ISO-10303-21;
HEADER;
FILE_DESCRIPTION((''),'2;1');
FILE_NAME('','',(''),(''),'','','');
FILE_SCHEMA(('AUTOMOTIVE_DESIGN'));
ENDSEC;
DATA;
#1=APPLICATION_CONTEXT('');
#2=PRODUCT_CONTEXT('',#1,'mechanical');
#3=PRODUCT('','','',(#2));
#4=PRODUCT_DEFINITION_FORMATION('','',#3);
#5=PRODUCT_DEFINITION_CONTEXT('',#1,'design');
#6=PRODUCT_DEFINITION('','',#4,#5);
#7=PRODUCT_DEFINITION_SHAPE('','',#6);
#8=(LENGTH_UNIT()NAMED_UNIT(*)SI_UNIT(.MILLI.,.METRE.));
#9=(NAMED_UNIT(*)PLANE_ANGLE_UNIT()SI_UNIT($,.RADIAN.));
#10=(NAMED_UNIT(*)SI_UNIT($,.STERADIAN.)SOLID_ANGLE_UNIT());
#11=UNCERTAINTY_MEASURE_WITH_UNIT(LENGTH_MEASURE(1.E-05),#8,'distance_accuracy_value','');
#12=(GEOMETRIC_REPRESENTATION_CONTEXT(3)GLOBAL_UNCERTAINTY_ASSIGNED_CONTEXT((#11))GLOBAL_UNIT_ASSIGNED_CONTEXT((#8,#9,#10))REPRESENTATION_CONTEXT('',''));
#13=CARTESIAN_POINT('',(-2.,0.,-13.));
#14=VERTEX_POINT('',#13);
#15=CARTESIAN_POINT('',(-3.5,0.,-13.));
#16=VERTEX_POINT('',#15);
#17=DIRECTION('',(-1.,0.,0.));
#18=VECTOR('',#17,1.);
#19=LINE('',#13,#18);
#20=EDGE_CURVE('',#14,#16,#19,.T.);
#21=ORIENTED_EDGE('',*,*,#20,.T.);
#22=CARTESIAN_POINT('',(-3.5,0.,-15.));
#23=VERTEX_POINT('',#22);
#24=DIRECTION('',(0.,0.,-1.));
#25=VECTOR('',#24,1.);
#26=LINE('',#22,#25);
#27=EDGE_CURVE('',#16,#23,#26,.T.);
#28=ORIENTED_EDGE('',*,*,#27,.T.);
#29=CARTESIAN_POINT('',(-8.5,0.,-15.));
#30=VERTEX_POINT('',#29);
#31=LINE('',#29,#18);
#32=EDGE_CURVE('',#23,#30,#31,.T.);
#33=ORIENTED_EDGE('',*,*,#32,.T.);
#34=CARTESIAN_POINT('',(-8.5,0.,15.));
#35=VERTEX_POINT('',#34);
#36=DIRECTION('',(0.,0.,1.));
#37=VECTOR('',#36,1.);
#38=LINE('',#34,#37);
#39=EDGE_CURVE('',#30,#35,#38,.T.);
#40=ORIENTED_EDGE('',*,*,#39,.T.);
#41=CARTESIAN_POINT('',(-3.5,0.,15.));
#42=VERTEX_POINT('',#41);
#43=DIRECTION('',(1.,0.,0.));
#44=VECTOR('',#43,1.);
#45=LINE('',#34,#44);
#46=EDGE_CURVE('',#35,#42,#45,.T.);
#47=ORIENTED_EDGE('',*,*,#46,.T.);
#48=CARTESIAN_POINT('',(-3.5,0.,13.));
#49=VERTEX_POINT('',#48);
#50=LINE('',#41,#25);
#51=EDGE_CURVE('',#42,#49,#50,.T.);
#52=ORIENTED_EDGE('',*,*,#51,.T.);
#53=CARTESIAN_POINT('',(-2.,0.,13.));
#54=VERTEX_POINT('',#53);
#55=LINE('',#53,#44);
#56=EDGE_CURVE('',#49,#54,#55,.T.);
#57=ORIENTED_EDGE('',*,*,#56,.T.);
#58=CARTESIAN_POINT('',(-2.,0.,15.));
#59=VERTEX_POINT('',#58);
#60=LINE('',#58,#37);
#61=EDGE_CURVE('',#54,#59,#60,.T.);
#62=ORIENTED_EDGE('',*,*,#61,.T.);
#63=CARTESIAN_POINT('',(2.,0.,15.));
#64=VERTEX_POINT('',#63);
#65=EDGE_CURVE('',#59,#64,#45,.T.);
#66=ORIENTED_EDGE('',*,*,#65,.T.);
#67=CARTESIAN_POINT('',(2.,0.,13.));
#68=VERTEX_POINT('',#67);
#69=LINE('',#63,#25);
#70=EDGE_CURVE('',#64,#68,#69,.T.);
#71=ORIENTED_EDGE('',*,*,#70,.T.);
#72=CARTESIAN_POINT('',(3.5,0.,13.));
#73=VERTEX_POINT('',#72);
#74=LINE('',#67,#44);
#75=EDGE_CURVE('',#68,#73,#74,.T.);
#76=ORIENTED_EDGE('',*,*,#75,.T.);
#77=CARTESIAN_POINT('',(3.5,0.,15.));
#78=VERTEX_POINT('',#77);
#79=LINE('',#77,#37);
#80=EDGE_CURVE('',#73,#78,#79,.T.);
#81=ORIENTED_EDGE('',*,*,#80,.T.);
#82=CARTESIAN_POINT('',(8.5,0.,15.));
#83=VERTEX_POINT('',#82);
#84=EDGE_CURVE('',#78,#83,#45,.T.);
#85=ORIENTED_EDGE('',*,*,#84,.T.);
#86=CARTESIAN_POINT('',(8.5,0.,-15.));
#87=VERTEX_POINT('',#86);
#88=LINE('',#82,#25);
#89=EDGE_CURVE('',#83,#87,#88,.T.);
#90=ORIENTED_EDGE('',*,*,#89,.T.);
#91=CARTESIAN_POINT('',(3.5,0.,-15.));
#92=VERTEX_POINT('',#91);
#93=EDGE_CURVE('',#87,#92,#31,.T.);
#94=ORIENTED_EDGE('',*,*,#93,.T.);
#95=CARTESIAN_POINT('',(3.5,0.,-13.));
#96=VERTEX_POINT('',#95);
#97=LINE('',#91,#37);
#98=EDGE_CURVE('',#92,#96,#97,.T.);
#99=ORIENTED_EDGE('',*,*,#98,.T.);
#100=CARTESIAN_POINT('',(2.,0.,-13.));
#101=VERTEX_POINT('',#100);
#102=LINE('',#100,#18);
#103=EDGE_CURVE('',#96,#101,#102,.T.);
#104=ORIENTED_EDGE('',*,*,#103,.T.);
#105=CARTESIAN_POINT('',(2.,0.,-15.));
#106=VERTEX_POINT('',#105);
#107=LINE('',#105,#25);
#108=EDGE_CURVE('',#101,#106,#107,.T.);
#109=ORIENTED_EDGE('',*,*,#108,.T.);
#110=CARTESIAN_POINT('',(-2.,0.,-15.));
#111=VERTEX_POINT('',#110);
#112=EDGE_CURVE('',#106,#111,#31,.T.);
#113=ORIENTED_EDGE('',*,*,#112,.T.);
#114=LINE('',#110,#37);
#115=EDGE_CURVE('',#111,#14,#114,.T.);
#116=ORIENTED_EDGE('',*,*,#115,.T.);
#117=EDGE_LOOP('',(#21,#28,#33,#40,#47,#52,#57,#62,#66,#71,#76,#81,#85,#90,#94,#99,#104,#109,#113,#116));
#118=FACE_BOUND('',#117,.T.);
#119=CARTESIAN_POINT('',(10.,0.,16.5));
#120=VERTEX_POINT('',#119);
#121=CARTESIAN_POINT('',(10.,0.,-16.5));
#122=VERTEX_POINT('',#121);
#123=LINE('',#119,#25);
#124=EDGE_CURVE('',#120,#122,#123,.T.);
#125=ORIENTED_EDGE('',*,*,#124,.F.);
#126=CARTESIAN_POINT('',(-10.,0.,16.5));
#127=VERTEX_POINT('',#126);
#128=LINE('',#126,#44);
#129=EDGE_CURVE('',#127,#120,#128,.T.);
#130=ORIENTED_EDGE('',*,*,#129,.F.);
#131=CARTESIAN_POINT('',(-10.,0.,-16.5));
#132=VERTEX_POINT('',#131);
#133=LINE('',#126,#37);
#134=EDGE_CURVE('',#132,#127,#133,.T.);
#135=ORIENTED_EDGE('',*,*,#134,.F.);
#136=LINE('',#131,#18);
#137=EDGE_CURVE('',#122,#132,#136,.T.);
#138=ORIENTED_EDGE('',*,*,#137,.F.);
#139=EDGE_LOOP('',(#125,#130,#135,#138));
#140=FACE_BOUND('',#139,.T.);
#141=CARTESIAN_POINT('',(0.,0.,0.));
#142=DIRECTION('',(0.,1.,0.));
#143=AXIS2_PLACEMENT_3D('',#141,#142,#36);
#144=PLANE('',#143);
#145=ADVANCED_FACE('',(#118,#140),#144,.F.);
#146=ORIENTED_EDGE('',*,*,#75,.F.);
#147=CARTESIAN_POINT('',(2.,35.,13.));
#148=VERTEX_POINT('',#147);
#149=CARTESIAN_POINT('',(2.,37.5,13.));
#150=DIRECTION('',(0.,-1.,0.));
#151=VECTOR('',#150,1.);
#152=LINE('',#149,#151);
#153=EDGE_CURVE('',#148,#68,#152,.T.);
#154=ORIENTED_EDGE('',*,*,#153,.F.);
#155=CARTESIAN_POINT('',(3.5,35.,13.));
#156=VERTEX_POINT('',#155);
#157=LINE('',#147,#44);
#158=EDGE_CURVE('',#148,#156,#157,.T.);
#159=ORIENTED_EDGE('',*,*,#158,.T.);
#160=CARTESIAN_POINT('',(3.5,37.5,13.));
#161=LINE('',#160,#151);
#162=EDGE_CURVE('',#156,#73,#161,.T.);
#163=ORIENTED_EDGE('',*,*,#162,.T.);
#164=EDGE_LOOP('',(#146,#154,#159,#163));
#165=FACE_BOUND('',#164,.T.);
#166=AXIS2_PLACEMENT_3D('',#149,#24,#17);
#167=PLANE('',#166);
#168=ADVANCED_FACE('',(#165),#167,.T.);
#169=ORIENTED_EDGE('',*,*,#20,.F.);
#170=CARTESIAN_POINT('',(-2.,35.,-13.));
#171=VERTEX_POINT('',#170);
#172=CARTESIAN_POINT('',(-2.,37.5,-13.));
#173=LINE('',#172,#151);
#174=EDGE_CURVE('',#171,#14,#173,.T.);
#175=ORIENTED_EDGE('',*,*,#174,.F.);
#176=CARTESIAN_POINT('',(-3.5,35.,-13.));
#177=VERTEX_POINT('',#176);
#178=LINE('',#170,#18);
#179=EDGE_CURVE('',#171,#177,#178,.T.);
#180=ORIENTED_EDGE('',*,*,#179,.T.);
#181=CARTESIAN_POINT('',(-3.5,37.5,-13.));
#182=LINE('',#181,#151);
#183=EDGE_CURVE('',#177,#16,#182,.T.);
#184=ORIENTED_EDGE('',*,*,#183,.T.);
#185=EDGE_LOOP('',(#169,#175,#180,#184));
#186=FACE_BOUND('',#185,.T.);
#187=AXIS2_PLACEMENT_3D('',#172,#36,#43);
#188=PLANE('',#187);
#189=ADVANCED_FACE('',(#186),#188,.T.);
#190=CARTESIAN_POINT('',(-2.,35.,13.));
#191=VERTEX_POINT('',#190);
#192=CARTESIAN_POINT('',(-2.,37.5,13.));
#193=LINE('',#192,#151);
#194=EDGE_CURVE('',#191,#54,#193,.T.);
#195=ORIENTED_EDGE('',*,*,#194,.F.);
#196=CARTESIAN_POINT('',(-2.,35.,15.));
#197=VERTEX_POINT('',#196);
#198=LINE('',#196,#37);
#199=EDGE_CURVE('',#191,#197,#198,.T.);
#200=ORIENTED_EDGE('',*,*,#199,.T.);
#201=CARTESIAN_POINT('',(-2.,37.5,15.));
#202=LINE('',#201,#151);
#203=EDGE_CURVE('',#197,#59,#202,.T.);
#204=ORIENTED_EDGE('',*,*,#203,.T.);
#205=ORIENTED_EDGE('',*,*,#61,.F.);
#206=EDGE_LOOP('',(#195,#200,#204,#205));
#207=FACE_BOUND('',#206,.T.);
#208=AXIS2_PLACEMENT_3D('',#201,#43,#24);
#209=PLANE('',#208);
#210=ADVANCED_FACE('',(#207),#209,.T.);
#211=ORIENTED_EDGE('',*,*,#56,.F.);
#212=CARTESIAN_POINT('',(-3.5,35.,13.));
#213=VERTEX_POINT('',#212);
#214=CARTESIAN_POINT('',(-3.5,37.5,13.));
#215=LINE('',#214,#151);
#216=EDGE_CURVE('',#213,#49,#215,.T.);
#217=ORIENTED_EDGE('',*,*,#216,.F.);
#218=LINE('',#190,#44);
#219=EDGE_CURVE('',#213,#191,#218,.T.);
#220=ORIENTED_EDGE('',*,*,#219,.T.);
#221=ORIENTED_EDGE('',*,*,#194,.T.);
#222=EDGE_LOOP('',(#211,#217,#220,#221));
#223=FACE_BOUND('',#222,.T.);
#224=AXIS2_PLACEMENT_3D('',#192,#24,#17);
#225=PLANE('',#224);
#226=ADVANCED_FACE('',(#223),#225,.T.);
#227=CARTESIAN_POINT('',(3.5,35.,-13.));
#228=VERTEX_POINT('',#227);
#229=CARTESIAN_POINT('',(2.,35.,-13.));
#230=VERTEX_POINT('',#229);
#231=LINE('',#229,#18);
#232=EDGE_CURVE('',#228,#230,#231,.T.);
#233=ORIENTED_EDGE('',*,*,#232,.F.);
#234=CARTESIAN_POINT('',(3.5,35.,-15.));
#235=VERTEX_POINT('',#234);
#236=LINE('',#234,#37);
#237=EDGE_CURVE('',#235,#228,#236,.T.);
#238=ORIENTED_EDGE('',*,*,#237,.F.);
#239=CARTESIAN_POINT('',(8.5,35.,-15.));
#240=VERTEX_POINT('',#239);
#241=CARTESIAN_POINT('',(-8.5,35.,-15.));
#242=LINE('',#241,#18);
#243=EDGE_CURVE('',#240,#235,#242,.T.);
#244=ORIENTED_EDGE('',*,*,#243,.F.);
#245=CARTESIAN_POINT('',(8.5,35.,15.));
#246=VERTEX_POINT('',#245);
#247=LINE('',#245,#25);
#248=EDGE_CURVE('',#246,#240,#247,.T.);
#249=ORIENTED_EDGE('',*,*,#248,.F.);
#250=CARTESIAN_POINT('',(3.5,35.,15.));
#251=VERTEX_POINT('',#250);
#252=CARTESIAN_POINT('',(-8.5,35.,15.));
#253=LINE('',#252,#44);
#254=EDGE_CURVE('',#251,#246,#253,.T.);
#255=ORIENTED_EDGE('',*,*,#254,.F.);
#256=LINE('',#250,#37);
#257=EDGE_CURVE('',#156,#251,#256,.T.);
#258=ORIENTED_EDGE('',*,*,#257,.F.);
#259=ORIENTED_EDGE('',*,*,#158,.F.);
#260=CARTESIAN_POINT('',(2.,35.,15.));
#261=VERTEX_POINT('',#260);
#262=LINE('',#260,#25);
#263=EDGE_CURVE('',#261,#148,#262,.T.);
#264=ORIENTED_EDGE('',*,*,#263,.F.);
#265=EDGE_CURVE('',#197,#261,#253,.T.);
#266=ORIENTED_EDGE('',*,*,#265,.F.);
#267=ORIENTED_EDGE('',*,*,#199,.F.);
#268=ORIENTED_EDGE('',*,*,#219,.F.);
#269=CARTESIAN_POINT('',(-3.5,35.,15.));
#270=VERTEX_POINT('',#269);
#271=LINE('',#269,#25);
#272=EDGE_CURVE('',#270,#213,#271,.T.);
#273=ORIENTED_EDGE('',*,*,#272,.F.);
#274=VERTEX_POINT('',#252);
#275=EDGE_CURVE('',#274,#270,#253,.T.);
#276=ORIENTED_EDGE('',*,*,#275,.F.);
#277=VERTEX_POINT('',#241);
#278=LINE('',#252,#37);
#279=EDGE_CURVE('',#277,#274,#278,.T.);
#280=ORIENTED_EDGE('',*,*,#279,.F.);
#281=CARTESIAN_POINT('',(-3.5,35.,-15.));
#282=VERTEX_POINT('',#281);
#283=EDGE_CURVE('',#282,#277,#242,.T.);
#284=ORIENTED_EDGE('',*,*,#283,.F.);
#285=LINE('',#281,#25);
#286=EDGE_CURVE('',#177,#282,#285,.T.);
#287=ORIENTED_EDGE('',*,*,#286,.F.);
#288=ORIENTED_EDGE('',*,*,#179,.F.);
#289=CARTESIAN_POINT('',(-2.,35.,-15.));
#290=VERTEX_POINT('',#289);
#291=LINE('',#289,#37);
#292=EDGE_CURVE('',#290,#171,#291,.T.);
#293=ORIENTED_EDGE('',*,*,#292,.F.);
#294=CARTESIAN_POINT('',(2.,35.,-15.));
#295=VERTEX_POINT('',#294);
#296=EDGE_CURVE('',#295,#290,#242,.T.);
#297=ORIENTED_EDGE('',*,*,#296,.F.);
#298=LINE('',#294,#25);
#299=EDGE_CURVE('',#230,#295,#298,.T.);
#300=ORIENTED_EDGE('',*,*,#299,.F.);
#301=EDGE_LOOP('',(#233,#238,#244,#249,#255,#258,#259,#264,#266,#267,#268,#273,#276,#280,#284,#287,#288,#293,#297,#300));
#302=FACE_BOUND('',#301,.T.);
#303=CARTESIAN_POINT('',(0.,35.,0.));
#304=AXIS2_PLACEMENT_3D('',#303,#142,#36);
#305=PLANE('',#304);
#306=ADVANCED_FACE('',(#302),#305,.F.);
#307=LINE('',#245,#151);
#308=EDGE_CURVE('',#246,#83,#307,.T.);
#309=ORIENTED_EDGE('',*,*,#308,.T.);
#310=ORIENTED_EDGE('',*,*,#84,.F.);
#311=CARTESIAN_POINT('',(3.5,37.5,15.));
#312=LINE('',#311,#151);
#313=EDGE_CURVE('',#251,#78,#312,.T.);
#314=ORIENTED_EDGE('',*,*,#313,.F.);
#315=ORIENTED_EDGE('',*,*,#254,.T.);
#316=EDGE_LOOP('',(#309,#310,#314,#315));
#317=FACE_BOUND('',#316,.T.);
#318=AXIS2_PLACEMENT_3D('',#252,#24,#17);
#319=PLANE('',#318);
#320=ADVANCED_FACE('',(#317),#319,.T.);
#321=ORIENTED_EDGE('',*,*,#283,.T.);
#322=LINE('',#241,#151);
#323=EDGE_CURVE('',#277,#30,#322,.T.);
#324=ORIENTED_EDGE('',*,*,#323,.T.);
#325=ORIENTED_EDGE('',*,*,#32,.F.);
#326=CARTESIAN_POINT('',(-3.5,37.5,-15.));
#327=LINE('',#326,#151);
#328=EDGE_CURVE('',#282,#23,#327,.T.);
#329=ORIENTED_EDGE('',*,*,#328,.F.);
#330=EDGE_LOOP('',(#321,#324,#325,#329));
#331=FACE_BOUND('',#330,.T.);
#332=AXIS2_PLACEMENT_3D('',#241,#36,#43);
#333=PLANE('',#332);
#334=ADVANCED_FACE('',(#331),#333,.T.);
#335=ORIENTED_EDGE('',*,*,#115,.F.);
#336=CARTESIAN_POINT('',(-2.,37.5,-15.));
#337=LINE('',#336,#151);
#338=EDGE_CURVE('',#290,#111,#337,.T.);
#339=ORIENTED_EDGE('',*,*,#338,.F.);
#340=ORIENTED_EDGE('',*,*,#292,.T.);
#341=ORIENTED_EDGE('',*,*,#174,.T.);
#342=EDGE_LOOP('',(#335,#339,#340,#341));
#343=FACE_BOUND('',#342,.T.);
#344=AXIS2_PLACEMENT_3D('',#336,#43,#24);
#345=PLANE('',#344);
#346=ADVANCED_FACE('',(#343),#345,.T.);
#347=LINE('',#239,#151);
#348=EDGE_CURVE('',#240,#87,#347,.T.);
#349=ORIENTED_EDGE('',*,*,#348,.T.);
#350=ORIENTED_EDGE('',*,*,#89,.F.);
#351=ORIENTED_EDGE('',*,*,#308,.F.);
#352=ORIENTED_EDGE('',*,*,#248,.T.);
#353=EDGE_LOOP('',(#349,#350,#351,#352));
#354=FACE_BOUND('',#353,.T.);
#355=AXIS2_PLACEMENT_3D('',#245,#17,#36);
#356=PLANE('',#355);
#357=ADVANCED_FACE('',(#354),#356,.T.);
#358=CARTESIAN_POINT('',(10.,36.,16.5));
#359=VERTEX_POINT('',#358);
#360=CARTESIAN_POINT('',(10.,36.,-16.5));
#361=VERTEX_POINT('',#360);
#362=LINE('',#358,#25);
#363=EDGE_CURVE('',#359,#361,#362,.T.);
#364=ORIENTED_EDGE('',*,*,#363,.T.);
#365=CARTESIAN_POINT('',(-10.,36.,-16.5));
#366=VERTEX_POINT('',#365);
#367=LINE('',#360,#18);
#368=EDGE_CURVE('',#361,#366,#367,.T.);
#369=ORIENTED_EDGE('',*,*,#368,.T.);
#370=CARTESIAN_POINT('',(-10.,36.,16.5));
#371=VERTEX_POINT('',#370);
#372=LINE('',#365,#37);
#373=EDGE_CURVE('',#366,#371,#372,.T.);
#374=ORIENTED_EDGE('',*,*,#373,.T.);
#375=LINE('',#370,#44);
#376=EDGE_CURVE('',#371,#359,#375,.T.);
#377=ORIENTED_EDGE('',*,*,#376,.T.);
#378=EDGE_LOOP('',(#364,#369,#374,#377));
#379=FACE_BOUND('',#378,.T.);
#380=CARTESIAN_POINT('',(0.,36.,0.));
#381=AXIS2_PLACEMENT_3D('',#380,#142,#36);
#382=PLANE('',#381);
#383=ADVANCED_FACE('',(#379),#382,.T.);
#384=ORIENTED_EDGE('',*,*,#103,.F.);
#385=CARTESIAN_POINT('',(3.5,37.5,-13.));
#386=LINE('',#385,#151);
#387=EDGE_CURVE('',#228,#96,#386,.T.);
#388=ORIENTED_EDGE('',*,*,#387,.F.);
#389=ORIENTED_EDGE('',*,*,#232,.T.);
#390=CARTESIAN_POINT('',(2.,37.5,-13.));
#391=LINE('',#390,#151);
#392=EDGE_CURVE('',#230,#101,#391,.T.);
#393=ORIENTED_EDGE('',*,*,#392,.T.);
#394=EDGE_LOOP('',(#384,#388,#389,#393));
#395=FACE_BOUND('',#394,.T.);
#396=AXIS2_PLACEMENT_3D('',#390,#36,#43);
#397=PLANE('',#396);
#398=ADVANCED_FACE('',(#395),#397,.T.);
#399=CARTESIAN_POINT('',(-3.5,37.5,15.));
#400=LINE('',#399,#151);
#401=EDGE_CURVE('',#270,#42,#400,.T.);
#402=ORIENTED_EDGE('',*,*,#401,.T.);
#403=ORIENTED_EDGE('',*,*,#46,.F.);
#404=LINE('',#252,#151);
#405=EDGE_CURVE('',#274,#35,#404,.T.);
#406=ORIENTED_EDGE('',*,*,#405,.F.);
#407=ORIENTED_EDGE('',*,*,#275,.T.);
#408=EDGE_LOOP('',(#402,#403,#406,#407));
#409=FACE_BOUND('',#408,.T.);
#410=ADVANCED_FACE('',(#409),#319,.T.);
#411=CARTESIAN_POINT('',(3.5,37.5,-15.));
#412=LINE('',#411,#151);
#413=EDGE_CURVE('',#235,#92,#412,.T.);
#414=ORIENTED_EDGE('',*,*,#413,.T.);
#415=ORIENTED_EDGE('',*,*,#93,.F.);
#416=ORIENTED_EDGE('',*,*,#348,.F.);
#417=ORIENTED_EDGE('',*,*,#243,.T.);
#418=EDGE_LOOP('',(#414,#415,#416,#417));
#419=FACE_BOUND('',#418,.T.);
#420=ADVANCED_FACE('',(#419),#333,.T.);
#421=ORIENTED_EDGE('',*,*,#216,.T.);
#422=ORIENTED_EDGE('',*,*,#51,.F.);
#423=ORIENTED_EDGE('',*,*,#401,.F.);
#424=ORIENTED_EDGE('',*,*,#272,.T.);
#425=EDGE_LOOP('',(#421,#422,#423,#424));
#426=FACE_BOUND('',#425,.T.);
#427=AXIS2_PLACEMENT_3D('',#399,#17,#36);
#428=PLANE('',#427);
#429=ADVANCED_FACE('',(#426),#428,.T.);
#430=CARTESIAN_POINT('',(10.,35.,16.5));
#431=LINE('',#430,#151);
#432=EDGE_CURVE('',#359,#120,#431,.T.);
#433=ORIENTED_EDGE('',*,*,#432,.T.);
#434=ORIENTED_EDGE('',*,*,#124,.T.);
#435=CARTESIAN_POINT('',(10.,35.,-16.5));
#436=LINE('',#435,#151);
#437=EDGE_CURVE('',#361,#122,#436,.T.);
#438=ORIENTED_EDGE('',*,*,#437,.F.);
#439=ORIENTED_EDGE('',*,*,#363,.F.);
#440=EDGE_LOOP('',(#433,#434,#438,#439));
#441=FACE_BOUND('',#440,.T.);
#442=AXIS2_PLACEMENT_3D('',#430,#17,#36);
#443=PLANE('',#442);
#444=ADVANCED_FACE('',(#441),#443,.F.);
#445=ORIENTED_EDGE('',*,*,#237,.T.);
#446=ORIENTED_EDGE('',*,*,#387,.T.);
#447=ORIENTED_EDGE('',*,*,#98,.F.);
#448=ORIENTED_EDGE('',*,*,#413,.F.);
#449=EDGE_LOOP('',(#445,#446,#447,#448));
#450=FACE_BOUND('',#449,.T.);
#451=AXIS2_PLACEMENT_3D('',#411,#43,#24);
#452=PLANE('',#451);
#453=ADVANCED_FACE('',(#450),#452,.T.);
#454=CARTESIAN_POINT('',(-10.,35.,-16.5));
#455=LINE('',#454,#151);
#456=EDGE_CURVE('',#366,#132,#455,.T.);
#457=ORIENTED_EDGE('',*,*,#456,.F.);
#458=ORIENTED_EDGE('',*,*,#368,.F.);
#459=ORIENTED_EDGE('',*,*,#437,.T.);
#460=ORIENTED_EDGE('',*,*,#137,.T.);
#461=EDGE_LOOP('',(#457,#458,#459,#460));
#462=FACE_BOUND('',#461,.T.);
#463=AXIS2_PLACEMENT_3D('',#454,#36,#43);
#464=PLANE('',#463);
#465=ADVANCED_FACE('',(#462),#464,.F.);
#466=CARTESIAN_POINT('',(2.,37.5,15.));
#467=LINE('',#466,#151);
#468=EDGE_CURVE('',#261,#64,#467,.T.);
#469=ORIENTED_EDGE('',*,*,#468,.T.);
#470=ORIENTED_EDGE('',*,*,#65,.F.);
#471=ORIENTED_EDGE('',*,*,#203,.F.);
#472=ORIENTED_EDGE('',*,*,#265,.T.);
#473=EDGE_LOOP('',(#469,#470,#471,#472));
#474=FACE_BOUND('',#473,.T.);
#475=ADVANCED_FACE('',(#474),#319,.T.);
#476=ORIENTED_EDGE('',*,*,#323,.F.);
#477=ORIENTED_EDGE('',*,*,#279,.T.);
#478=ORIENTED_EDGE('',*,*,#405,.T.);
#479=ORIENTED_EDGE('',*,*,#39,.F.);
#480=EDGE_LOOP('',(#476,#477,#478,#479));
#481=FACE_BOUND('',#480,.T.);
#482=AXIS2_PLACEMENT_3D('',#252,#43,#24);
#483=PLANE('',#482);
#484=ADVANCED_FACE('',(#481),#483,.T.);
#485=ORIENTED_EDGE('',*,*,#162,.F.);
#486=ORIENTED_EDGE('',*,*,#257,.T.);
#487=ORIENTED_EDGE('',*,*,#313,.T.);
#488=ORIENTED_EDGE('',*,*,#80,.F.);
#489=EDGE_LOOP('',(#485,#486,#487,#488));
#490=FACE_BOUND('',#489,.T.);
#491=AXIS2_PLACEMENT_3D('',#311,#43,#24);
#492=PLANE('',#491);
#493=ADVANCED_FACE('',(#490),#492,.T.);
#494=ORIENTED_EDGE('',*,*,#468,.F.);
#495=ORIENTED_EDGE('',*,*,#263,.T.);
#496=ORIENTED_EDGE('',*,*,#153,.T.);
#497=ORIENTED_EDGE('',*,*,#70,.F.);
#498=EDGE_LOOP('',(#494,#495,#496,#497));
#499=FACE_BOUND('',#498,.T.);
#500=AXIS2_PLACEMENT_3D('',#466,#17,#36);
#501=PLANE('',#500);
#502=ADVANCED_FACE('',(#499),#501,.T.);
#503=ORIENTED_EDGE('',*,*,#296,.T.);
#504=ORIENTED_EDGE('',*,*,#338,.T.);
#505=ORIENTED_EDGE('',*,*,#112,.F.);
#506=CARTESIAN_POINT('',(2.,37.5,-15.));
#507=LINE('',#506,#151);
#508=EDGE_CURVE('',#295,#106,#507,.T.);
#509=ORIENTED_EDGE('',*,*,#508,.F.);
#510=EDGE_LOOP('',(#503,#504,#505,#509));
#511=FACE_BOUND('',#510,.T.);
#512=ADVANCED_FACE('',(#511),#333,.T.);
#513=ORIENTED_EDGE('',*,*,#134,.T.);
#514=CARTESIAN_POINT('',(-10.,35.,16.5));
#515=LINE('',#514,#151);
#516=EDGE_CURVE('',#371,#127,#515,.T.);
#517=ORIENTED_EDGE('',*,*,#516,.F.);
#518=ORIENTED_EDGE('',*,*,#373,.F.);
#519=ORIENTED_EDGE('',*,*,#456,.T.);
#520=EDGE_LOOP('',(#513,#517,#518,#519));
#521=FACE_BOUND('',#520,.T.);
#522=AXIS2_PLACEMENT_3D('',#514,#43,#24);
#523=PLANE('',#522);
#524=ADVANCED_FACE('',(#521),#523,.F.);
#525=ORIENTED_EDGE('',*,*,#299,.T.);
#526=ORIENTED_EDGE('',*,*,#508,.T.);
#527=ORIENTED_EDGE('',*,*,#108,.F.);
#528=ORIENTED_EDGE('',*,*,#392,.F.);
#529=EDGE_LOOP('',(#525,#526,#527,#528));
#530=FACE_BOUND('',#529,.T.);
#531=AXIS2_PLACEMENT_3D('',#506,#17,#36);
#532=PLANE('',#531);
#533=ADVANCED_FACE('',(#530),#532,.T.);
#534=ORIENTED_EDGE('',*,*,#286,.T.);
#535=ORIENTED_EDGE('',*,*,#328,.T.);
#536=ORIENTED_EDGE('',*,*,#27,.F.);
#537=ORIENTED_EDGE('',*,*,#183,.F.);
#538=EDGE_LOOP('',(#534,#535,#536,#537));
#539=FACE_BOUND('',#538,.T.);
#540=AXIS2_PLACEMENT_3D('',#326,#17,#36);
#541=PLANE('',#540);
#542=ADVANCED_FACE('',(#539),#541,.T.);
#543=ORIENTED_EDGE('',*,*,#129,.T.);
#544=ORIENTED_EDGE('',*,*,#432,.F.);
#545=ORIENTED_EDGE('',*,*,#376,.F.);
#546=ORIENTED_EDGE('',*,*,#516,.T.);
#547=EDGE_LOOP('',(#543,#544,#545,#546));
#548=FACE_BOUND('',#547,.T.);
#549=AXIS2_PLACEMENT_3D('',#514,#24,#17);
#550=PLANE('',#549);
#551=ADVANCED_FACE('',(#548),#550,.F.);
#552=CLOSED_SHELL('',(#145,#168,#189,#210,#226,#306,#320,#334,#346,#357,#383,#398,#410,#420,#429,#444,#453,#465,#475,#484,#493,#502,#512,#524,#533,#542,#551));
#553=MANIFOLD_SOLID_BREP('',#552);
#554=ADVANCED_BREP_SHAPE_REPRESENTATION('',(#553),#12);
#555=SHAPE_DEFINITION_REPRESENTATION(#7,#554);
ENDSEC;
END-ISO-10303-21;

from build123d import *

# Parameters (mm, degrees)
SKETCH1_W           = 20
SKETCH1_H           = 33
SKETCH1_W_2         = 17
SKETCH1_H_2         = 30
BOSS_EXTRUDE1_DEPTH = 35
SKETCH2_W           = 20
SKETCH2_H           = 33
BOSS_EXTRUDE2_DEPTH = 1
SKETCH3_W           = 1.5
SKETCH3_H           = 2
BOSS_EXTRUDE3_DEPTH = 35


with BuildPart() as part:
    # Sketch1 → Boss-Extrude1 (new body)
    with BuildSketch(Plane(origin=(0, 0, 0), x_dir=(1, 0, 0), z_dir=(0, 1, 0))):
        Rectangle(SKETCH1_W, SKETCH1_H)
        Rectangle(SKETCH1_W_2, SKETCH1_H_2, mode=Mode.SUBTRACT)
    extrude(amount=BOSS_EXTRUDE1_DEPTH)

    # Sketch2 → Boss-Extrude2 (add)
    with BuildSketch(Plane(origin=(0, 35, 0), x_dir=(1, 0, 0), z_dir=(0, 1, 0))):
        Rectangle(SKETCH2_W, SKETCH2_H)
    extrude(amount=BOSS_EXTRUDE2_DEPTH)

    # Sketch3 → Boss-Extrude3 (add)
    with BuildSketch(Plane.XZ):
        with Locations((-2.75, -14)):
            Rectangle(SKETCH3_W, SKETCH3_H)
        with Locations((2.75, -14)):
            Rectangle(SKETCH3_W, SKETCH3_H)
        with Locations((2.75, 14)):
            Rectangle(SKETCH3_W, SKETCH3_H)
        with Locations((-2.75, 14)):
            Rectangle(SKETCH3_W, SKETCH3_H)
    extrude(amount=-BOSS_EXTRUDE3_DEPTH)


solid = part.part
